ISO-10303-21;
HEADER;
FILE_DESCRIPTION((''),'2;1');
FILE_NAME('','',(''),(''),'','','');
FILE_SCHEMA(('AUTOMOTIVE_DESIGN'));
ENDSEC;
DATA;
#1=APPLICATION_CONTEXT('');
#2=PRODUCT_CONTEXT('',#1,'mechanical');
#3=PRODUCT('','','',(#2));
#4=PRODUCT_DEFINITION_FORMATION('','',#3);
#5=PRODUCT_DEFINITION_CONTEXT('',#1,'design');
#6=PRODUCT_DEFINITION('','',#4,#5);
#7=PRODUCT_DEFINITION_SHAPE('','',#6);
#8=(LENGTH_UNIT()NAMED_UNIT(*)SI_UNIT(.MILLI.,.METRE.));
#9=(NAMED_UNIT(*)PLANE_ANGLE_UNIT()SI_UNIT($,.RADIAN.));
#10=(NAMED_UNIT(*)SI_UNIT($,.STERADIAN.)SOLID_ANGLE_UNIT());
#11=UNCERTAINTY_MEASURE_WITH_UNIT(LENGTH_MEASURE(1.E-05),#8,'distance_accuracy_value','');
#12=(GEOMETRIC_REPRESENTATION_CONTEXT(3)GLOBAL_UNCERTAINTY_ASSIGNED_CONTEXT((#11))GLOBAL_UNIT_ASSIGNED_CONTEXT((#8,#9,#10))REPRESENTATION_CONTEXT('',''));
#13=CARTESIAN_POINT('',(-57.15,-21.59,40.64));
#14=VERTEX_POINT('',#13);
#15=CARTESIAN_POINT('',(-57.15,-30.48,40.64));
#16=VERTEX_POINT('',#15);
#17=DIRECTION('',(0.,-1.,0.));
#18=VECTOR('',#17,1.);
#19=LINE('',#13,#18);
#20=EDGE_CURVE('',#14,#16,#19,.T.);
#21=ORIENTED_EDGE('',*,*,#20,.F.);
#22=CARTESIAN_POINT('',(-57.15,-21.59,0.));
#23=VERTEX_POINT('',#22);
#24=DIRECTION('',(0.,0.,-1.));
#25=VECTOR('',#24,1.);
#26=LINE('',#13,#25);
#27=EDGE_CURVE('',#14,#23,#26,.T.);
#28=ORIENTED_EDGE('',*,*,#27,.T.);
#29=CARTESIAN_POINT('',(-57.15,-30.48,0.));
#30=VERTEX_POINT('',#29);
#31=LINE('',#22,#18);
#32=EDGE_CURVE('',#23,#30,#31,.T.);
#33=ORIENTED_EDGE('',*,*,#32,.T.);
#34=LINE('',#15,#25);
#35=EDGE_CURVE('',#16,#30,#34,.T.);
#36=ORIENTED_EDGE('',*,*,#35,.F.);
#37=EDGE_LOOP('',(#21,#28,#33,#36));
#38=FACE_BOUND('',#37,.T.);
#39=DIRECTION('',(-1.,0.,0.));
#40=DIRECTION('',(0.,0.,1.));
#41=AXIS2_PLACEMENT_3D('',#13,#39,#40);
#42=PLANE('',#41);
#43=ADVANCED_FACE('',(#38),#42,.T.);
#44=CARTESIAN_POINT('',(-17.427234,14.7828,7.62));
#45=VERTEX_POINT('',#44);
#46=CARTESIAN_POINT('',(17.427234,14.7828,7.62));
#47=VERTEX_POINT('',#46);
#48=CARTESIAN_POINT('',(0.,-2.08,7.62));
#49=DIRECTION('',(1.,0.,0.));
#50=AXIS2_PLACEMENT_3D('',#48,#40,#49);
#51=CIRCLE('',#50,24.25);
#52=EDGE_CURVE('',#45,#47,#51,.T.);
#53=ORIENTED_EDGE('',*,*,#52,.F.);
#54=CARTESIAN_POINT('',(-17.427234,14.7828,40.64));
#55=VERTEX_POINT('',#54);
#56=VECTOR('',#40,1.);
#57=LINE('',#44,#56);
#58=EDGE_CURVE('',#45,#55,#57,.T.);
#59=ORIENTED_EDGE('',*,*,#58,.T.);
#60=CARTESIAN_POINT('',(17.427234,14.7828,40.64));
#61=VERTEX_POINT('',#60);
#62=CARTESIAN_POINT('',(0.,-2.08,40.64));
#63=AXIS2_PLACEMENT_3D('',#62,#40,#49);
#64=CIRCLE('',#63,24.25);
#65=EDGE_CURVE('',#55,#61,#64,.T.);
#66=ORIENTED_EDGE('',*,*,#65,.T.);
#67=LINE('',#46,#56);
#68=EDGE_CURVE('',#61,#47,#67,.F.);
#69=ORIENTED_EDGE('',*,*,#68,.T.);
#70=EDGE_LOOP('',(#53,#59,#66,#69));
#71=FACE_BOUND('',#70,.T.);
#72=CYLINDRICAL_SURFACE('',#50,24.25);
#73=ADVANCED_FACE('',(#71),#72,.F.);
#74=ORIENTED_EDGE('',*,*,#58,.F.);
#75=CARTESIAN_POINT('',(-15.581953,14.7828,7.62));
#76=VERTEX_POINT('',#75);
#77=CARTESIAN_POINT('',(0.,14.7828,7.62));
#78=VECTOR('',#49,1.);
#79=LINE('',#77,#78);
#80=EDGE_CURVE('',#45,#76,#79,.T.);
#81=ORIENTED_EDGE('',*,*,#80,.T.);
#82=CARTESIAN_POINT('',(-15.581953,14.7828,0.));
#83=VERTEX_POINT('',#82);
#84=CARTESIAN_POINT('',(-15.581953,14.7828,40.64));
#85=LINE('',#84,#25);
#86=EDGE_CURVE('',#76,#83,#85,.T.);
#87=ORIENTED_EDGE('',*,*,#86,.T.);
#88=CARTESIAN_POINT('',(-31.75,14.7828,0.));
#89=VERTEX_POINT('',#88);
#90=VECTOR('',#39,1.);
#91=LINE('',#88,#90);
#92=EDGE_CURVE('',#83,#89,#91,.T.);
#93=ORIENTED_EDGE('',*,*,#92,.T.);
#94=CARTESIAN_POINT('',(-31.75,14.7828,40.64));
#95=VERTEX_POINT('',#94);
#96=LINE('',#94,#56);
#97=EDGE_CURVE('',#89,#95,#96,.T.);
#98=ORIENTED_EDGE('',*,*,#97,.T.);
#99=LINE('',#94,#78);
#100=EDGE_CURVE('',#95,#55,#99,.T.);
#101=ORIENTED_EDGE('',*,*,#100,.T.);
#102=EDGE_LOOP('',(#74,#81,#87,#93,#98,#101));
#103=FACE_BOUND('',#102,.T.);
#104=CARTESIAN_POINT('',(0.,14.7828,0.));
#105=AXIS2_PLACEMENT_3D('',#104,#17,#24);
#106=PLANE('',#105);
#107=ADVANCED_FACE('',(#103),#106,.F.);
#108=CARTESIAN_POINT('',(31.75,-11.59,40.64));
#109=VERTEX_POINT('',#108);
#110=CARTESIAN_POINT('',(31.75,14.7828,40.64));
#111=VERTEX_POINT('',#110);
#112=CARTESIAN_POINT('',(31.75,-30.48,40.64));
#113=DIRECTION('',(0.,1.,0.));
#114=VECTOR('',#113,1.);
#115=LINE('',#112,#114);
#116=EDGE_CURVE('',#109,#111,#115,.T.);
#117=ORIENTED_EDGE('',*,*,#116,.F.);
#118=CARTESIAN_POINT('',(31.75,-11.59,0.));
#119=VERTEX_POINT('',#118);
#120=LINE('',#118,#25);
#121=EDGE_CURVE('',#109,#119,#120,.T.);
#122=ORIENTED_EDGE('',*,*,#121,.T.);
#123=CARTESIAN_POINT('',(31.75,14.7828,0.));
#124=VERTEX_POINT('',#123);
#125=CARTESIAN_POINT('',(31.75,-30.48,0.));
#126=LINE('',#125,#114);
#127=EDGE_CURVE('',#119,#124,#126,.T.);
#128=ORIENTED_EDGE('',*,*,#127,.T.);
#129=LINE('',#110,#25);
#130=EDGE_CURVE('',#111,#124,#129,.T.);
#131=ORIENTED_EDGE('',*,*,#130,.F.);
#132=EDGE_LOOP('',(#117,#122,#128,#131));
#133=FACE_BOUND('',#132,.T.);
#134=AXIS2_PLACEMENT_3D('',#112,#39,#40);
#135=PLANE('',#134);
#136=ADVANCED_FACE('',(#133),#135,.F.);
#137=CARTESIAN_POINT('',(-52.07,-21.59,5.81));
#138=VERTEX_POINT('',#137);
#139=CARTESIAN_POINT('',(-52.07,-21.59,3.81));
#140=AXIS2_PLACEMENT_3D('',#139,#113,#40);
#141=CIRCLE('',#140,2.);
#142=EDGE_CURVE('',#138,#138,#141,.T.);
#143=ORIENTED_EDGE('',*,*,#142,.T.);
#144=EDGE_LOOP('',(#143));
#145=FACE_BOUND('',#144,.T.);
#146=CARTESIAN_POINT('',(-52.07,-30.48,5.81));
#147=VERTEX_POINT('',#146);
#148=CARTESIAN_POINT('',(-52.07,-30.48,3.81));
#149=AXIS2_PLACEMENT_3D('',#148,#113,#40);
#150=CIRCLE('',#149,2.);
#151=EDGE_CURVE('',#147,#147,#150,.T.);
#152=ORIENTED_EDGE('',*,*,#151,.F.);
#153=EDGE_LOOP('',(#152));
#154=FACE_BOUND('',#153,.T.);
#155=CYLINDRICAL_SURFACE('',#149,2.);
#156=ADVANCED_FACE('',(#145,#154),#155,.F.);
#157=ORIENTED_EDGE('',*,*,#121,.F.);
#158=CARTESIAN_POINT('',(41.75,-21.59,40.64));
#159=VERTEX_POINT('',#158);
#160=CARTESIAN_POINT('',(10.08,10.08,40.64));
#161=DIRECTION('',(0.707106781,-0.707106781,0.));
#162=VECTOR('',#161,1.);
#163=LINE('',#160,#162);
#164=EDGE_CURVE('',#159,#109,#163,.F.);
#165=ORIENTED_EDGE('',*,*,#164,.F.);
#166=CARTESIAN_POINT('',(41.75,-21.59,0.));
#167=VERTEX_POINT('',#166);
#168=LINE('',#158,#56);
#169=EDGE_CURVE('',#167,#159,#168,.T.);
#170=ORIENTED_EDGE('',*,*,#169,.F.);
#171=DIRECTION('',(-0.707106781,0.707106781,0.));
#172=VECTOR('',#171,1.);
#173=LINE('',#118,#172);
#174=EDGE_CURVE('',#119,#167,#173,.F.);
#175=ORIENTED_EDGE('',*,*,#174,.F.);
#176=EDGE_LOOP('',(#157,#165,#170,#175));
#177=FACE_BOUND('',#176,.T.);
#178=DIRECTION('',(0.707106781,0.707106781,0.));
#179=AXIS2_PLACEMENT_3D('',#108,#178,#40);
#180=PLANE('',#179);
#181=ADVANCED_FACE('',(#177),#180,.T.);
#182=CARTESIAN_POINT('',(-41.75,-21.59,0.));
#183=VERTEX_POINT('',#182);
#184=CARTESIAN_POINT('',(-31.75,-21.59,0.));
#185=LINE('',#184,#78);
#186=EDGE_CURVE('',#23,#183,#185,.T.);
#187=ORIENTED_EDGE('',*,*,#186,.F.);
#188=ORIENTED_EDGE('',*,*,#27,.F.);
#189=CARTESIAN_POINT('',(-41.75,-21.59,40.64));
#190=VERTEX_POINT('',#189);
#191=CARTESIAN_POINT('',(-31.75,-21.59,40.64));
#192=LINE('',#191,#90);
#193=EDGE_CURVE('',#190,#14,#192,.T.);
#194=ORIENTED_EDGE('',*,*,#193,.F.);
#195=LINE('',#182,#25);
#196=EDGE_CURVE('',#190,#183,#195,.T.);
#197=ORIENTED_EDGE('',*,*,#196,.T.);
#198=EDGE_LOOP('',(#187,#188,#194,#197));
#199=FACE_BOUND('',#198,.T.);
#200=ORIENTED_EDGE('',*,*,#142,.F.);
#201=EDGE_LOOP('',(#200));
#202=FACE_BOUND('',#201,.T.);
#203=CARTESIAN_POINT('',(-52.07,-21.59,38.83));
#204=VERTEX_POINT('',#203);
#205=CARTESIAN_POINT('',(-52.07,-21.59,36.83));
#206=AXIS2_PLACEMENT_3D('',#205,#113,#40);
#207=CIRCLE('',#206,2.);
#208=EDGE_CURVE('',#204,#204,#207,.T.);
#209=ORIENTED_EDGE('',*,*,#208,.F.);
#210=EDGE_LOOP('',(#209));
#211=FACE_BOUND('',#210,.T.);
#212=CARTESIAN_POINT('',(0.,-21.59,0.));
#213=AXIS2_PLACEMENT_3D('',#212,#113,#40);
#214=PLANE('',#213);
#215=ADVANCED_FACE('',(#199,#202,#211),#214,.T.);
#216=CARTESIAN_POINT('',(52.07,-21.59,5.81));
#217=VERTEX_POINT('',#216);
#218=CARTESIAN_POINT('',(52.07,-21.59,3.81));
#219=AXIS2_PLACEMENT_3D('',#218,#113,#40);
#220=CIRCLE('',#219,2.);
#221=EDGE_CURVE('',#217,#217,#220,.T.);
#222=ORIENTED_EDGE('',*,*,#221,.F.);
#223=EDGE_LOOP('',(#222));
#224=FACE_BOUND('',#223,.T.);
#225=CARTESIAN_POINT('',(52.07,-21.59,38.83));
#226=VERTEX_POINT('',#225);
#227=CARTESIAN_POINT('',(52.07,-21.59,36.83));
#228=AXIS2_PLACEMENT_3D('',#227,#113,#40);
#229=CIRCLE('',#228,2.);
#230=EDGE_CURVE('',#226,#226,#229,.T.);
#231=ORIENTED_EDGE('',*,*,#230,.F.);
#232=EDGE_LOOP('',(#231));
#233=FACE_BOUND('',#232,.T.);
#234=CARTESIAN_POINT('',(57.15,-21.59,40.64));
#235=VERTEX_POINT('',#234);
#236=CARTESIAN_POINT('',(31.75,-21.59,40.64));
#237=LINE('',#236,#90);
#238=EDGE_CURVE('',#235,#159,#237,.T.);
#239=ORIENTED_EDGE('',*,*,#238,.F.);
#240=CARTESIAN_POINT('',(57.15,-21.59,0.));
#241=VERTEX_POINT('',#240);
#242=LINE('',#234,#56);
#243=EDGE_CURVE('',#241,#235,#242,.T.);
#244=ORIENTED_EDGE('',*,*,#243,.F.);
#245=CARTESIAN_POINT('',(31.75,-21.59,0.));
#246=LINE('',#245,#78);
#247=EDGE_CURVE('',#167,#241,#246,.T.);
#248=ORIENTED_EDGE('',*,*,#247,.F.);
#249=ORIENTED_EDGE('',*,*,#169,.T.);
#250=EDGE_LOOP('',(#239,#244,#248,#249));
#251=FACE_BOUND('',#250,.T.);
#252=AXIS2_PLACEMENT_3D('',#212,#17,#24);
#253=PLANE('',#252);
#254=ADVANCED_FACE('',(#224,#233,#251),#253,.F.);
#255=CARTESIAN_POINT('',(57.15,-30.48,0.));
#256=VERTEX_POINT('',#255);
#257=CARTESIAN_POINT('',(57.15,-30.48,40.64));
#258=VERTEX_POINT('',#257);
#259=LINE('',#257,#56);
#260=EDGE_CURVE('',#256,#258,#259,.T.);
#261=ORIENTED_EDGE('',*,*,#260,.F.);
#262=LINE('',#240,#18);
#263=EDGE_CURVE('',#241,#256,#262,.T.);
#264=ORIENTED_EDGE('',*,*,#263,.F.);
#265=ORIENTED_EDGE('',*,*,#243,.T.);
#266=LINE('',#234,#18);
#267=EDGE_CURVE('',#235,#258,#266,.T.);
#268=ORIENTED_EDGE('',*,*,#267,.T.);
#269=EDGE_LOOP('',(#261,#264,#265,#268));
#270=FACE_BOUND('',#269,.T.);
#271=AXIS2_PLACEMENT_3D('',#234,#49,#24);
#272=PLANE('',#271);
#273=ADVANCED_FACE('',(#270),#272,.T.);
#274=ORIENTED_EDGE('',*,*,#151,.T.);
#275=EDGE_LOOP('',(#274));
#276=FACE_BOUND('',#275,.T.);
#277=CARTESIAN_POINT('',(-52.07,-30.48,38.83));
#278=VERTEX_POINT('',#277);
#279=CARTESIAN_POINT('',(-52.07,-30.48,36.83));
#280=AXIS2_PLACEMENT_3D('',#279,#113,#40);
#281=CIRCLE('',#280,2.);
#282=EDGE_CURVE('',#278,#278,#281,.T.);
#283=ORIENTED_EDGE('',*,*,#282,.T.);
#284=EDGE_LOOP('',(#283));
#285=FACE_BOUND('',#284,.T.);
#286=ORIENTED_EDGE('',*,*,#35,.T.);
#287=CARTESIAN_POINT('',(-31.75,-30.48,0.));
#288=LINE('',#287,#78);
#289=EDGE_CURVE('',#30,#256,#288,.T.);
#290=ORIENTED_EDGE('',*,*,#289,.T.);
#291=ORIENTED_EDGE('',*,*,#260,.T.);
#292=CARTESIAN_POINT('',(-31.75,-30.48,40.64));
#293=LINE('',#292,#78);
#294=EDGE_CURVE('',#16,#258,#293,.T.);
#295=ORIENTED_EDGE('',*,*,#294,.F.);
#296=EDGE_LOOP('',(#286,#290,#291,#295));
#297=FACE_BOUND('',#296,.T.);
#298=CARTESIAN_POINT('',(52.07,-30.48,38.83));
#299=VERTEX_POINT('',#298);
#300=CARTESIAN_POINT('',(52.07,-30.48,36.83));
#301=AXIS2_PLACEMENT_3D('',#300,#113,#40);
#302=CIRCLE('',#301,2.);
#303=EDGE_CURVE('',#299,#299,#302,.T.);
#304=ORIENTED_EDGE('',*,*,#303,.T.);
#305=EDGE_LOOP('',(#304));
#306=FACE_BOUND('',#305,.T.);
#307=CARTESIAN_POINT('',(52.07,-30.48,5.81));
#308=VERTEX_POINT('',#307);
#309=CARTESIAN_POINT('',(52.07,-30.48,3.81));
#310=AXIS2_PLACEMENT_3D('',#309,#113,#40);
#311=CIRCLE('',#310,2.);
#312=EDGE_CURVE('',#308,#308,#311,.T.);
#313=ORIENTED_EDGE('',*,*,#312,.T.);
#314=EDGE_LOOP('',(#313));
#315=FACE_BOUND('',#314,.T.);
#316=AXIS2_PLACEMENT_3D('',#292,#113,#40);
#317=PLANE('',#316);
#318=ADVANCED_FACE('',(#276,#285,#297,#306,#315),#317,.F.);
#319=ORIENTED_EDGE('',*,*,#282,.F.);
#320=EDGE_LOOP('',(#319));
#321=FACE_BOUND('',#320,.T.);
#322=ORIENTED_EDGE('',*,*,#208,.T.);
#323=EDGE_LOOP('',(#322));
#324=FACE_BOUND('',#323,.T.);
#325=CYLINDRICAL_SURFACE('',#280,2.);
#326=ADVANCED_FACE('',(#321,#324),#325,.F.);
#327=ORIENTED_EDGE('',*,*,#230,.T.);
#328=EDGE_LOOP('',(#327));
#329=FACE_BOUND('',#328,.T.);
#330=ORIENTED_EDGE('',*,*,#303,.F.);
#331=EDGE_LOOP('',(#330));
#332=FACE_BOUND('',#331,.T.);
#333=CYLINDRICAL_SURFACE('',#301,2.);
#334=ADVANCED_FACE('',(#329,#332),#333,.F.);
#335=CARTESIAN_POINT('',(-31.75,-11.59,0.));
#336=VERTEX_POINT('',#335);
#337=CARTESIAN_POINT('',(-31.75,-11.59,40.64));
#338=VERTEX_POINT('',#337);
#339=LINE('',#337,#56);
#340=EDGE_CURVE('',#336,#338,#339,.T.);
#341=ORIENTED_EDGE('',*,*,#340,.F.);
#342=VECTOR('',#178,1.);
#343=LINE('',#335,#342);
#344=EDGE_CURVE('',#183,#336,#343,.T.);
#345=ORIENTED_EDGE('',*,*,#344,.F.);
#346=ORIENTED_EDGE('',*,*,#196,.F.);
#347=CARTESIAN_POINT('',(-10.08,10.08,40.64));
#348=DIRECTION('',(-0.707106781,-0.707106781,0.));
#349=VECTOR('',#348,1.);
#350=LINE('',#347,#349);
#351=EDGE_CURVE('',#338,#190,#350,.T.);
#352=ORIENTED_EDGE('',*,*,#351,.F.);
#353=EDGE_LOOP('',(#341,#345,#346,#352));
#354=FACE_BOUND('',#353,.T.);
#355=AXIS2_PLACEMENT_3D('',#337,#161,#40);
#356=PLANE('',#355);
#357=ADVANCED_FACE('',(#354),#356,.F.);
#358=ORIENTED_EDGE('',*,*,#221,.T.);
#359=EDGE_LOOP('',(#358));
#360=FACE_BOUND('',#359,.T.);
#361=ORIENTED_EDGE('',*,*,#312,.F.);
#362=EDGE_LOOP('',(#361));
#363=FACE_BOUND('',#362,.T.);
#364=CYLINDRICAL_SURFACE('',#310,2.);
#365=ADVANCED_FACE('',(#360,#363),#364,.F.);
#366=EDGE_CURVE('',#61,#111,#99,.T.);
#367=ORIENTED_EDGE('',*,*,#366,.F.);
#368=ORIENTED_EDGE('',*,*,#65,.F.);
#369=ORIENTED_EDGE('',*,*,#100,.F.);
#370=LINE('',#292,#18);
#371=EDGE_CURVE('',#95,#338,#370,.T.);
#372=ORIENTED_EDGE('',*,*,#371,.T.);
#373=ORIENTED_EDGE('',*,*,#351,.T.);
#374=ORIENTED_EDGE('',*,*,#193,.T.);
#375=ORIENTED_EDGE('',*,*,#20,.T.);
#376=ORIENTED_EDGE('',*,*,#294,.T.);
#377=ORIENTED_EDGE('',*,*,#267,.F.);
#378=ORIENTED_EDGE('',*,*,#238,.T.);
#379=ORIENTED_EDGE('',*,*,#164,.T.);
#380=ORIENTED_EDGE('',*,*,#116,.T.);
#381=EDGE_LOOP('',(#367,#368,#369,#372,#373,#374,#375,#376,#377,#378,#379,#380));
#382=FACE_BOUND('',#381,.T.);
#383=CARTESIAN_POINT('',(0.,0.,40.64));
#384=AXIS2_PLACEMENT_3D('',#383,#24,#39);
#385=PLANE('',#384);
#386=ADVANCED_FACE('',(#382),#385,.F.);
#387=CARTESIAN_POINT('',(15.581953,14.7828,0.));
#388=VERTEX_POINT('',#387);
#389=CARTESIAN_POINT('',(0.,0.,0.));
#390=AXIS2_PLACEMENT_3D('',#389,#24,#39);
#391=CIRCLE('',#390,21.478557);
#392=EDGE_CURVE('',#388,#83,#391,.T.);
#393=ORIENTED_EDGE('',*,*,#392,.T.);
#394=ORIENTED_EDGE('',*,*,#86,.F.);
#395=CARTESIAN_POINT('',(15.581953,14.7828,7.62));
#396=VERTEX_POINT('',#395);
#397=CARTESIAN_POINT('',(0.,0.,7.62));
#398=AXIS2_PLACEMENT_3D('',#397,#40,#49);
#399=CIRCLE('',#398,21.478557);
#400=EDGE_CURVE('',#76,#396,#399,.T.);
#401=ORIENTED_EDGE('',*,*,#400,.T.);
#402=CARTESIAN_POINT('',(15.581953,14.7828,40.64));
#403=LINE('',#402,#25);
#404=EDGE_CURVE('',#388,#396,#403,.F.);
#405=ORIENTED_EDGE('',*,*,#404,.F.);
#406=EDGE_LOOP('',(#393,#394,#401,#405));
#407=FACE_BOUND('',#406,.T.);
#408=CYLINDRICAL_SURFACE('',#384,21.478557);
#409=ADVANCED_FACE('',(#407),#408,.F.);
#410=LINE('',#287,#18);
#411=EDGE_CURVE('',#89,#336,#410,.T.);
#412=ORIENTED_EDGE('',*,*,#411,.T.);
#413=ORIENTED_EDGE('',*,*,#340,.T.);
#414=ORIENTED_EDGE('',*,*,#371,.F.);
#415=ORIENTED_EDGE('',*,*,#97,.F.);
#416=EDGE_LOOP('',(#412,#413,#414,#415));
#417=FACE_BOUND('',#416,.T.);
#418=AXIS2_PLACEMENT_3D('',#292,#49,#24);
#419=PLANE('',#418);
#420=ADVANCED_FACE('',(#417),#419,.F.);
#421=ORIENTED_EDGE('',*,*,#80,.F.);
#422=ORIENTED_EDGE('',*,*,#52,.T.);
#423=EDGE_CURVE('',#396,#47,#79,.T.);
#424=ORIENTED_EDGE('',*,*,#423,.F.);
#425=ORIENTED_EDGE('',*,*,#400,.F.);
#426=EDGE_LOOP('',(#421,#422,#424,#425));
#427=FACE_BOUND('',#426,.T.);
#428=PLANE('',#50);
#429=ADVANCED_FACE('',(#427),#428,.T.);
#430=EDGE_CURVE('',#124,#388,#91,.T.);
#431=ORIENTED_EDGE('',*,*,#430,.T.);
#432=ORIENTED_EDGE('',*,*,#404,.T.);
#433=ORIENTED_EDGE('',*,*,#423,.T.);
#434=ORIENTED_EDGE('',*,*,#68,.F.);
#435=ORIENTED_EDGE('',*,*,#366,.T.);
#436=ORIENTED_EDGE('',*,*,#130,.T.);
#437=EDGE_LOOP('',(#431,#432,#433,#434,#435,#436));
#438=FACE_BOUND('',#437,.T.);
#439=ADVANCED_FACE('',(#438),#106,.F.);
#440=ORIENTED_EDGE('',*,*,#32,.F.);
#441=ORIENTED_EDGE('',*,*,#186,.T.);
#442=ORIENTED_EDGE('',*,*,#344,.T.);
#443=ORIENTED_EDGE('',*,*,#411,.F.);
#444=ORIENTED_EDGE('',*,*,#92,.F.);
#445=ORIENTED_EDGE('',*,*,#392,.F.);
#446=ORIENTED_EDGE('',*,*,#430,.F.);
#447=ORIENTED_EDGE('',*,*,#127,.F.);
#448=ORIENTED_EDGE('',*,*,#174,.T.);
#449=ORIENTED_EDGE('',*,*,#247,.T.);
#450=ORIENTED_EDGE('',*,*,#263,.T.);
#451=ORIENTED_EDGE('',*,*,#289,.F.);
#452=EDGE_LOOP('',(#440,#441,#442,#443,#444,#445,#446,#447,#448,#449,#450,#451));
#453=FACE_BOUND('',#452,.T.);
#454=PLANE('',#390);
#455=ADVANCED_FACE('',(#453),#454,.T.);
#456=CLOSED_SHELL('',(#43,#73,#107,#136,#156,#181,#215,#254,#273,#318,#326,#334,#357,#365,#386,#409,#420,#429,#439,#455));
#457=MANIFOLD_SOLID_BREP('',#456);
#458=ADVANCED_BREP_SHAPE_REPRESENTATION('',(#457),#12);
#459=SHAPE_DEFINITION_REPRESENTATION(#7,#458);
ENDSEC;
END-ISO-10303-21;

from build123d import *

# Parameters (mm, degrees)
SKETCH1_W           = 63.5
SKETCH1_H           = 60.96
BOSS_EXTRUDE1_DEPTH = 40.64
SKETCH2_R           = 24.25
CUT_EXTRUDE1_DEPTH  = 33.02
SKETCH8_W           = 63.5
SKETCH8_H           = 40.64
CUT_EXTRUDE3_DEPTH  = 15.6972
SKETCH16_W          = 25.4
SKETCH16_H          = 40.64
BOSS_EXTRUDE5_DEPTH = 8.89
SKETCH17_R          = 2
CUT_EXTRUDE5_DEPTH  = 79.998181497
SKETCH11_R          = 21.478557246
CUT_EXTRUDE6_DEPTH  = 77.464125575
CHAMFER1_SIZE       = 10


with BuildPart() as part:
    # Sketch1 → Boss-Extrude1 (new body)
    with BuildSketch(Plane.XY):
        Rectangle(SKETCH1_W, SKETCH1_H)
    extrude(amount=BOSS_EXTRUDE1_DEPTH)

    # Sketch2 → Cut-Extrude1 (cut)
    with BuildSketch(Plane.XY.offset(40.64)):
        with Locations((0, -2.08)):
            Circle(SKETCH2_R)
    extrude(amount=-CUT_EXTRUDE1_DEPTH, mode=Mode.SUBTRACT)

    # Sketch8 → Cut-Extrude3 (cut)
    with BuildSketch(Plane(origin=(0, 30.48, 0), x_dir=(1, 0, 0), z_dir=(0, 1, 0))):
        with Locations((0, -20.32)):
            Rectangle(SKETCH8_W, SKETCH8_H)
    extrude(amount=-CUT_EXTRUDE3_DEPTH, mode=Mode.SUBTRACT)

    # Sketch16 → Boss-Extrude5 (add)
    with BuildSketch(Plane.XZ.offset(30.48)):
        with Locations((-44.45, 20.32)):
            Rectangle(SKETCH16_W, SKETCH16_H)
        with Locations((44.45, 20.32)):
            Rectangle(SKETCH16_W, SKETCH16_H)
    extrude(amount=-BOSS_EXTRUDE5_DEPTH)

    # Sketch17 → Cut-Extrude5 (cut, through all)
    with BuildSketch(Plane(origin=(0, -21.59, 0), x_dir=(1, 0, 0), z_dir=(0, 1, 0))):
        with Locations(Location((-52.07, -3.81, 0), (0, 0, 270))):
            Circle(SKETCH17_R)
        with Locations(Location((-52.07, -36.83, 0), (0, 0, 270))):
            Circle(SKETCH17_R)
        with Locations(Location((52.07, -3.81, 0), (0, 0, 270))):
            Circle(SKETCH17_R)
        with Locations(Location((52.07, -36.83, 0), (0, 0, 270))):
            Circle(SKETCH17_R)
    extrude(amount=-CUT_EXTRUDE5_DEPTH, mode=Mode.SUBTRACT)

    # Sketch11 → Cut-Extrude6 (cut, through all)
    with BuildSketch(Plane(origin=(0, 0, 0), x_dir=(-1, 0, 0), z_dir=(0, 0, -1))):
        Circle(SKETCH11_R)
    extrude(amount=-CUT_EXTRUDE6_DEPTH, mode=Mode.SUBTRACT)

    # Chamfer1
    chamfer1_edges = [part.edges().sort_by_distance(p)[0] for p in [
        (-31.75, -21.59, 20.32),
        (31.75, -21.59, 20.32),
    ]]
    chamfer(chamfer1_edges, length=CHAMFER1_SIZE)


solid = part.part
